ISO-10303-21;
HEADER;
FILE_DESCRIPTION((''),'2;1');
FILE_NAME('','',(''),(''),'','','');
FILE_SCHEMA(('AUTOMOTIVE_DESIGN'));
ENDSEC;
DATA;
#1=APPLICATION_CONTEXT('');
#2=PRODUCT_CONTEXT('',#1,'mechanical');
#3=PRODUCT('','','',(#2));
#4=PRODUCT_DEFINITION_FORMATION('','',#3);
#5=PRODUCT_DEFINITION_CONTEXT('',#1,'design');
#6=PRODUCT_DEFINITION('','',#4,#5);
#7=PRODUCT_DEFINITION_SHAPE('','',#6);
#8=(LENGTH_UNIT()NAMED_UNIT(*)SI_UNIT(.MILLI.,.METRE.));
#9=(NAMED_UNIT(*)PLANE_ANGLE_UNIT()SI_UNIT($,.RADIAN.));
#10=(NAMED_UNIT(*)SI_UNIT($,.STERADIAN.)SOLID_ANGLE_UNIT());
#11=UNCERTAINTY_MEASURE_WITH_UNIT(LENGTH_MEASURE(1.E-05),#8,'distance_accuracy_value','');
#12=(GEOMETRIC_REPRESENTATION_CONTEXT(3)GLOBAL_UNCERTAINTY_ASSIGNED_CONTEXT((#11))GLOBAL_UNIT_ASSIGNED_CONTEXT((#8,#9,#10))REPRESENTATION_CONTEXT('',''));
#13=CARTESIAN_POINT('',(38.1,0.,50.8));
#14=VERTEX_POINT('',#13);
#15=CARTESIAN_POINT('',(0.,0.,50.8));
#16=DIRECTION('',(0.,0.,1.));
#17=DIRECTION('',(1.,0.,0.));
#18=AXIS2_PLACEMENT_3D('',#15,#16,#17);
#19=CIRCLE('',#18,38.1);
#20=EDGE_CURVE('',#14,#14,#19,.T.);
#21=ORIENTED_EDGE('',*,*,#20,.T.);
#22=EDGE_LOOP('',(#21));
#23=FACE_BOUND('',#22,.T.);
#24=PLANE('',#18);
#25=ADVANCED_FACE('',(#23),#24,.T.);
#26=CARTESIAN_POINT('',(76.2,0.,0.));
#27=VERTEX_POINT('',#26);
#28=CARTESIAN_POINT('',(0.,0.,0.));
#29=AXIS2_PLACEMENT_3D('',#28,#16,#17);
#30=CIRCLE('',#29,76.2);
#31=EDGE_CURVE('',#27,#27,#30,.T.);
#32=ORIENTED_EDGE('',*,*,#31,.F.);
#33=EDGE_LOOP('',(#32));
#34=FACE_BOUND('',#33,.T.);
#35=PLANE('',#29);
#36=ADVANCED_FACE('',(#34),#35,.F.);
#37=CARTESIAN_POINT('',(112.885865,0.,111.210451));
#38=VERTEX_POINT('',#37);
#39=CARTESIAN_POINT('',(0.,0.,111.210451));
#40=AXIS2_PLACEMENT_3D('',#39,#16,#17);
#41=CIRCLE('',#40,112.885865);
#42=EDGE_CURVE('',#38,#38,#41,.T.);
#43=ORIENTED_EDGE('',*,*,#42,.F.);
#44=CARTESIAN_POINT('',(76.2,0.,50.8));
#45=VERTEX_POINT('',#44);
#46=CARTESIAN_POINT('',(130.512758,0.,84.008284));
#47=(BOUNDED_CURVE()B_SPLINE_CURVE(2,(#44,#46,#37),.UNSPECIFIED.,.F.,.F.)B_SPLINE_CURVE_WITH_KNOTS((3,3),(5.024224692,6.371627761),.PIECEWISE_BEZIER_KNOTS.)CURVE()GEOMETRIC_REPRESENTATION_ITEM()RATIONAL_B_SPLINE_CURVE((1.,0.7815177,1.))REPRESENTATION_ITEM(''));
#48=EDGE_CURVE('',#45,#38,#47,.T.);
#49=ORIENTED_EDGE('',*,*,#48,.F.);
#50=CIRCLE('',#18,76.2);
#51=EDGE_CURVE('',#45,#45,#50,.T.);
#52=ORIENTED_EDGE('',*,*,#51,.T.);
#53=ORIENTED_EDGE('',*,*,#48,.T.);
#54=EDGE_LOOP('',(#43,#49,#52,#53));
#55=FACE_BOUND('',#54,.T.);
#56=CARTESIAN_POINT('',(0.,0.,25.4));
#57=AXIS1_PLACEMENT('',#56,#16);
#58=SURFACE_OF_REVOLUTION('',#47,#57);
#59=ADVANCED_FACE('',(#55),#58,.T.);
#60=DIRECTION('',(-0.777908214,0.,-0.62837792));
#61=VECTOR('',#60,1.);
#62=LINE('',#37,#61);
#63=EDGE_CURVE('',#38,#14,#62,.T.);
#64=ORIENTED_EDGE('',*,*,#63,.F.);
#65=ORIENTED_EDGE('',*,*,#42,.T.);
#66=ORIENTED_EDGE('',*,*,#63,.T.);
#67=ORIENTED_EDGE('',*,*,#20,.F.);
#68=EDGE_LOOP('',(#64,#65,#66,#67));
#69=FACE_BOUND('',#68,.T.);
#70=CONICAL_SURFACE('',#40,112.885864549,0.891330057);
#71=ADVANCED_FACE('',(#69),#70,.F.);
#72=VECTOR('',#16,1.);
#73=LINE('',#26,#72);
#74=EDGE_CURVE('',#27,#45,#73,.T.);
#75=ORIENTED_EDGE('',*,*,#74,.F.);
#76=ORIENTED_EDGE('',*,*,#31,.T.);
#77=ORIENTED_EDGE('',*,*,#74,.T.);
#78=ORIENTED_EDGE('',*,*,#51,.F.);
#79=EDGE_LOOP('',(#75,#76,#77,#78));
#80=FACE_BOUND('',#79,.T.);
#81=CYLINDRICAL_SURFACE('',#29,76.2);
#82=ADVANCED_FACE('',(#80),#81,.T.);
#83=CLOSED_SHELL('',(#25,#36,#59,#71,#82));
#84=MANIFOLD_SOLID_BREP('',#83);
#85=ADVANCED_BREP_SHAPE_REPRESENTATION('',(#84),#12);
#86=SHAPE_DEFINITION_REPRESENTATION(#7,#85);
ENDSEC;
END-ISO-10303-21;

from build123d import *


with BuildPart() as f1:
    # F0 (on Front) → F1 (revolve)
    with BuildSketch(Plane.XZ):
        with BuildLine():
            Line((0, 50.8), (0, 0))
            Line((0, 0), (76.2, 0))
            Line((76.2, 0), (76.2, 50.8))
            add(Edge.make_bspline(
                [(76.2, 50.8), (130.5127577195, 84.0082843245), (112.8858645493, 111.2104510093)],
                knots=[5.0242246925, 5.0242246925, 5.0242246925, 6.3716277614, 6.3716277614, 6.3716277614], degree=2, weights=[1, 0.7815177004, 1]))
            Line((112.8858645493, 111.2104510093), (38.1, 50.8))
            Line((38.1, 50.8), (0, 50.8))
        make_face()
    revolve(axis=Axis((0, 0, 25.4), (0, 0, 1)))


solid = f1.part
